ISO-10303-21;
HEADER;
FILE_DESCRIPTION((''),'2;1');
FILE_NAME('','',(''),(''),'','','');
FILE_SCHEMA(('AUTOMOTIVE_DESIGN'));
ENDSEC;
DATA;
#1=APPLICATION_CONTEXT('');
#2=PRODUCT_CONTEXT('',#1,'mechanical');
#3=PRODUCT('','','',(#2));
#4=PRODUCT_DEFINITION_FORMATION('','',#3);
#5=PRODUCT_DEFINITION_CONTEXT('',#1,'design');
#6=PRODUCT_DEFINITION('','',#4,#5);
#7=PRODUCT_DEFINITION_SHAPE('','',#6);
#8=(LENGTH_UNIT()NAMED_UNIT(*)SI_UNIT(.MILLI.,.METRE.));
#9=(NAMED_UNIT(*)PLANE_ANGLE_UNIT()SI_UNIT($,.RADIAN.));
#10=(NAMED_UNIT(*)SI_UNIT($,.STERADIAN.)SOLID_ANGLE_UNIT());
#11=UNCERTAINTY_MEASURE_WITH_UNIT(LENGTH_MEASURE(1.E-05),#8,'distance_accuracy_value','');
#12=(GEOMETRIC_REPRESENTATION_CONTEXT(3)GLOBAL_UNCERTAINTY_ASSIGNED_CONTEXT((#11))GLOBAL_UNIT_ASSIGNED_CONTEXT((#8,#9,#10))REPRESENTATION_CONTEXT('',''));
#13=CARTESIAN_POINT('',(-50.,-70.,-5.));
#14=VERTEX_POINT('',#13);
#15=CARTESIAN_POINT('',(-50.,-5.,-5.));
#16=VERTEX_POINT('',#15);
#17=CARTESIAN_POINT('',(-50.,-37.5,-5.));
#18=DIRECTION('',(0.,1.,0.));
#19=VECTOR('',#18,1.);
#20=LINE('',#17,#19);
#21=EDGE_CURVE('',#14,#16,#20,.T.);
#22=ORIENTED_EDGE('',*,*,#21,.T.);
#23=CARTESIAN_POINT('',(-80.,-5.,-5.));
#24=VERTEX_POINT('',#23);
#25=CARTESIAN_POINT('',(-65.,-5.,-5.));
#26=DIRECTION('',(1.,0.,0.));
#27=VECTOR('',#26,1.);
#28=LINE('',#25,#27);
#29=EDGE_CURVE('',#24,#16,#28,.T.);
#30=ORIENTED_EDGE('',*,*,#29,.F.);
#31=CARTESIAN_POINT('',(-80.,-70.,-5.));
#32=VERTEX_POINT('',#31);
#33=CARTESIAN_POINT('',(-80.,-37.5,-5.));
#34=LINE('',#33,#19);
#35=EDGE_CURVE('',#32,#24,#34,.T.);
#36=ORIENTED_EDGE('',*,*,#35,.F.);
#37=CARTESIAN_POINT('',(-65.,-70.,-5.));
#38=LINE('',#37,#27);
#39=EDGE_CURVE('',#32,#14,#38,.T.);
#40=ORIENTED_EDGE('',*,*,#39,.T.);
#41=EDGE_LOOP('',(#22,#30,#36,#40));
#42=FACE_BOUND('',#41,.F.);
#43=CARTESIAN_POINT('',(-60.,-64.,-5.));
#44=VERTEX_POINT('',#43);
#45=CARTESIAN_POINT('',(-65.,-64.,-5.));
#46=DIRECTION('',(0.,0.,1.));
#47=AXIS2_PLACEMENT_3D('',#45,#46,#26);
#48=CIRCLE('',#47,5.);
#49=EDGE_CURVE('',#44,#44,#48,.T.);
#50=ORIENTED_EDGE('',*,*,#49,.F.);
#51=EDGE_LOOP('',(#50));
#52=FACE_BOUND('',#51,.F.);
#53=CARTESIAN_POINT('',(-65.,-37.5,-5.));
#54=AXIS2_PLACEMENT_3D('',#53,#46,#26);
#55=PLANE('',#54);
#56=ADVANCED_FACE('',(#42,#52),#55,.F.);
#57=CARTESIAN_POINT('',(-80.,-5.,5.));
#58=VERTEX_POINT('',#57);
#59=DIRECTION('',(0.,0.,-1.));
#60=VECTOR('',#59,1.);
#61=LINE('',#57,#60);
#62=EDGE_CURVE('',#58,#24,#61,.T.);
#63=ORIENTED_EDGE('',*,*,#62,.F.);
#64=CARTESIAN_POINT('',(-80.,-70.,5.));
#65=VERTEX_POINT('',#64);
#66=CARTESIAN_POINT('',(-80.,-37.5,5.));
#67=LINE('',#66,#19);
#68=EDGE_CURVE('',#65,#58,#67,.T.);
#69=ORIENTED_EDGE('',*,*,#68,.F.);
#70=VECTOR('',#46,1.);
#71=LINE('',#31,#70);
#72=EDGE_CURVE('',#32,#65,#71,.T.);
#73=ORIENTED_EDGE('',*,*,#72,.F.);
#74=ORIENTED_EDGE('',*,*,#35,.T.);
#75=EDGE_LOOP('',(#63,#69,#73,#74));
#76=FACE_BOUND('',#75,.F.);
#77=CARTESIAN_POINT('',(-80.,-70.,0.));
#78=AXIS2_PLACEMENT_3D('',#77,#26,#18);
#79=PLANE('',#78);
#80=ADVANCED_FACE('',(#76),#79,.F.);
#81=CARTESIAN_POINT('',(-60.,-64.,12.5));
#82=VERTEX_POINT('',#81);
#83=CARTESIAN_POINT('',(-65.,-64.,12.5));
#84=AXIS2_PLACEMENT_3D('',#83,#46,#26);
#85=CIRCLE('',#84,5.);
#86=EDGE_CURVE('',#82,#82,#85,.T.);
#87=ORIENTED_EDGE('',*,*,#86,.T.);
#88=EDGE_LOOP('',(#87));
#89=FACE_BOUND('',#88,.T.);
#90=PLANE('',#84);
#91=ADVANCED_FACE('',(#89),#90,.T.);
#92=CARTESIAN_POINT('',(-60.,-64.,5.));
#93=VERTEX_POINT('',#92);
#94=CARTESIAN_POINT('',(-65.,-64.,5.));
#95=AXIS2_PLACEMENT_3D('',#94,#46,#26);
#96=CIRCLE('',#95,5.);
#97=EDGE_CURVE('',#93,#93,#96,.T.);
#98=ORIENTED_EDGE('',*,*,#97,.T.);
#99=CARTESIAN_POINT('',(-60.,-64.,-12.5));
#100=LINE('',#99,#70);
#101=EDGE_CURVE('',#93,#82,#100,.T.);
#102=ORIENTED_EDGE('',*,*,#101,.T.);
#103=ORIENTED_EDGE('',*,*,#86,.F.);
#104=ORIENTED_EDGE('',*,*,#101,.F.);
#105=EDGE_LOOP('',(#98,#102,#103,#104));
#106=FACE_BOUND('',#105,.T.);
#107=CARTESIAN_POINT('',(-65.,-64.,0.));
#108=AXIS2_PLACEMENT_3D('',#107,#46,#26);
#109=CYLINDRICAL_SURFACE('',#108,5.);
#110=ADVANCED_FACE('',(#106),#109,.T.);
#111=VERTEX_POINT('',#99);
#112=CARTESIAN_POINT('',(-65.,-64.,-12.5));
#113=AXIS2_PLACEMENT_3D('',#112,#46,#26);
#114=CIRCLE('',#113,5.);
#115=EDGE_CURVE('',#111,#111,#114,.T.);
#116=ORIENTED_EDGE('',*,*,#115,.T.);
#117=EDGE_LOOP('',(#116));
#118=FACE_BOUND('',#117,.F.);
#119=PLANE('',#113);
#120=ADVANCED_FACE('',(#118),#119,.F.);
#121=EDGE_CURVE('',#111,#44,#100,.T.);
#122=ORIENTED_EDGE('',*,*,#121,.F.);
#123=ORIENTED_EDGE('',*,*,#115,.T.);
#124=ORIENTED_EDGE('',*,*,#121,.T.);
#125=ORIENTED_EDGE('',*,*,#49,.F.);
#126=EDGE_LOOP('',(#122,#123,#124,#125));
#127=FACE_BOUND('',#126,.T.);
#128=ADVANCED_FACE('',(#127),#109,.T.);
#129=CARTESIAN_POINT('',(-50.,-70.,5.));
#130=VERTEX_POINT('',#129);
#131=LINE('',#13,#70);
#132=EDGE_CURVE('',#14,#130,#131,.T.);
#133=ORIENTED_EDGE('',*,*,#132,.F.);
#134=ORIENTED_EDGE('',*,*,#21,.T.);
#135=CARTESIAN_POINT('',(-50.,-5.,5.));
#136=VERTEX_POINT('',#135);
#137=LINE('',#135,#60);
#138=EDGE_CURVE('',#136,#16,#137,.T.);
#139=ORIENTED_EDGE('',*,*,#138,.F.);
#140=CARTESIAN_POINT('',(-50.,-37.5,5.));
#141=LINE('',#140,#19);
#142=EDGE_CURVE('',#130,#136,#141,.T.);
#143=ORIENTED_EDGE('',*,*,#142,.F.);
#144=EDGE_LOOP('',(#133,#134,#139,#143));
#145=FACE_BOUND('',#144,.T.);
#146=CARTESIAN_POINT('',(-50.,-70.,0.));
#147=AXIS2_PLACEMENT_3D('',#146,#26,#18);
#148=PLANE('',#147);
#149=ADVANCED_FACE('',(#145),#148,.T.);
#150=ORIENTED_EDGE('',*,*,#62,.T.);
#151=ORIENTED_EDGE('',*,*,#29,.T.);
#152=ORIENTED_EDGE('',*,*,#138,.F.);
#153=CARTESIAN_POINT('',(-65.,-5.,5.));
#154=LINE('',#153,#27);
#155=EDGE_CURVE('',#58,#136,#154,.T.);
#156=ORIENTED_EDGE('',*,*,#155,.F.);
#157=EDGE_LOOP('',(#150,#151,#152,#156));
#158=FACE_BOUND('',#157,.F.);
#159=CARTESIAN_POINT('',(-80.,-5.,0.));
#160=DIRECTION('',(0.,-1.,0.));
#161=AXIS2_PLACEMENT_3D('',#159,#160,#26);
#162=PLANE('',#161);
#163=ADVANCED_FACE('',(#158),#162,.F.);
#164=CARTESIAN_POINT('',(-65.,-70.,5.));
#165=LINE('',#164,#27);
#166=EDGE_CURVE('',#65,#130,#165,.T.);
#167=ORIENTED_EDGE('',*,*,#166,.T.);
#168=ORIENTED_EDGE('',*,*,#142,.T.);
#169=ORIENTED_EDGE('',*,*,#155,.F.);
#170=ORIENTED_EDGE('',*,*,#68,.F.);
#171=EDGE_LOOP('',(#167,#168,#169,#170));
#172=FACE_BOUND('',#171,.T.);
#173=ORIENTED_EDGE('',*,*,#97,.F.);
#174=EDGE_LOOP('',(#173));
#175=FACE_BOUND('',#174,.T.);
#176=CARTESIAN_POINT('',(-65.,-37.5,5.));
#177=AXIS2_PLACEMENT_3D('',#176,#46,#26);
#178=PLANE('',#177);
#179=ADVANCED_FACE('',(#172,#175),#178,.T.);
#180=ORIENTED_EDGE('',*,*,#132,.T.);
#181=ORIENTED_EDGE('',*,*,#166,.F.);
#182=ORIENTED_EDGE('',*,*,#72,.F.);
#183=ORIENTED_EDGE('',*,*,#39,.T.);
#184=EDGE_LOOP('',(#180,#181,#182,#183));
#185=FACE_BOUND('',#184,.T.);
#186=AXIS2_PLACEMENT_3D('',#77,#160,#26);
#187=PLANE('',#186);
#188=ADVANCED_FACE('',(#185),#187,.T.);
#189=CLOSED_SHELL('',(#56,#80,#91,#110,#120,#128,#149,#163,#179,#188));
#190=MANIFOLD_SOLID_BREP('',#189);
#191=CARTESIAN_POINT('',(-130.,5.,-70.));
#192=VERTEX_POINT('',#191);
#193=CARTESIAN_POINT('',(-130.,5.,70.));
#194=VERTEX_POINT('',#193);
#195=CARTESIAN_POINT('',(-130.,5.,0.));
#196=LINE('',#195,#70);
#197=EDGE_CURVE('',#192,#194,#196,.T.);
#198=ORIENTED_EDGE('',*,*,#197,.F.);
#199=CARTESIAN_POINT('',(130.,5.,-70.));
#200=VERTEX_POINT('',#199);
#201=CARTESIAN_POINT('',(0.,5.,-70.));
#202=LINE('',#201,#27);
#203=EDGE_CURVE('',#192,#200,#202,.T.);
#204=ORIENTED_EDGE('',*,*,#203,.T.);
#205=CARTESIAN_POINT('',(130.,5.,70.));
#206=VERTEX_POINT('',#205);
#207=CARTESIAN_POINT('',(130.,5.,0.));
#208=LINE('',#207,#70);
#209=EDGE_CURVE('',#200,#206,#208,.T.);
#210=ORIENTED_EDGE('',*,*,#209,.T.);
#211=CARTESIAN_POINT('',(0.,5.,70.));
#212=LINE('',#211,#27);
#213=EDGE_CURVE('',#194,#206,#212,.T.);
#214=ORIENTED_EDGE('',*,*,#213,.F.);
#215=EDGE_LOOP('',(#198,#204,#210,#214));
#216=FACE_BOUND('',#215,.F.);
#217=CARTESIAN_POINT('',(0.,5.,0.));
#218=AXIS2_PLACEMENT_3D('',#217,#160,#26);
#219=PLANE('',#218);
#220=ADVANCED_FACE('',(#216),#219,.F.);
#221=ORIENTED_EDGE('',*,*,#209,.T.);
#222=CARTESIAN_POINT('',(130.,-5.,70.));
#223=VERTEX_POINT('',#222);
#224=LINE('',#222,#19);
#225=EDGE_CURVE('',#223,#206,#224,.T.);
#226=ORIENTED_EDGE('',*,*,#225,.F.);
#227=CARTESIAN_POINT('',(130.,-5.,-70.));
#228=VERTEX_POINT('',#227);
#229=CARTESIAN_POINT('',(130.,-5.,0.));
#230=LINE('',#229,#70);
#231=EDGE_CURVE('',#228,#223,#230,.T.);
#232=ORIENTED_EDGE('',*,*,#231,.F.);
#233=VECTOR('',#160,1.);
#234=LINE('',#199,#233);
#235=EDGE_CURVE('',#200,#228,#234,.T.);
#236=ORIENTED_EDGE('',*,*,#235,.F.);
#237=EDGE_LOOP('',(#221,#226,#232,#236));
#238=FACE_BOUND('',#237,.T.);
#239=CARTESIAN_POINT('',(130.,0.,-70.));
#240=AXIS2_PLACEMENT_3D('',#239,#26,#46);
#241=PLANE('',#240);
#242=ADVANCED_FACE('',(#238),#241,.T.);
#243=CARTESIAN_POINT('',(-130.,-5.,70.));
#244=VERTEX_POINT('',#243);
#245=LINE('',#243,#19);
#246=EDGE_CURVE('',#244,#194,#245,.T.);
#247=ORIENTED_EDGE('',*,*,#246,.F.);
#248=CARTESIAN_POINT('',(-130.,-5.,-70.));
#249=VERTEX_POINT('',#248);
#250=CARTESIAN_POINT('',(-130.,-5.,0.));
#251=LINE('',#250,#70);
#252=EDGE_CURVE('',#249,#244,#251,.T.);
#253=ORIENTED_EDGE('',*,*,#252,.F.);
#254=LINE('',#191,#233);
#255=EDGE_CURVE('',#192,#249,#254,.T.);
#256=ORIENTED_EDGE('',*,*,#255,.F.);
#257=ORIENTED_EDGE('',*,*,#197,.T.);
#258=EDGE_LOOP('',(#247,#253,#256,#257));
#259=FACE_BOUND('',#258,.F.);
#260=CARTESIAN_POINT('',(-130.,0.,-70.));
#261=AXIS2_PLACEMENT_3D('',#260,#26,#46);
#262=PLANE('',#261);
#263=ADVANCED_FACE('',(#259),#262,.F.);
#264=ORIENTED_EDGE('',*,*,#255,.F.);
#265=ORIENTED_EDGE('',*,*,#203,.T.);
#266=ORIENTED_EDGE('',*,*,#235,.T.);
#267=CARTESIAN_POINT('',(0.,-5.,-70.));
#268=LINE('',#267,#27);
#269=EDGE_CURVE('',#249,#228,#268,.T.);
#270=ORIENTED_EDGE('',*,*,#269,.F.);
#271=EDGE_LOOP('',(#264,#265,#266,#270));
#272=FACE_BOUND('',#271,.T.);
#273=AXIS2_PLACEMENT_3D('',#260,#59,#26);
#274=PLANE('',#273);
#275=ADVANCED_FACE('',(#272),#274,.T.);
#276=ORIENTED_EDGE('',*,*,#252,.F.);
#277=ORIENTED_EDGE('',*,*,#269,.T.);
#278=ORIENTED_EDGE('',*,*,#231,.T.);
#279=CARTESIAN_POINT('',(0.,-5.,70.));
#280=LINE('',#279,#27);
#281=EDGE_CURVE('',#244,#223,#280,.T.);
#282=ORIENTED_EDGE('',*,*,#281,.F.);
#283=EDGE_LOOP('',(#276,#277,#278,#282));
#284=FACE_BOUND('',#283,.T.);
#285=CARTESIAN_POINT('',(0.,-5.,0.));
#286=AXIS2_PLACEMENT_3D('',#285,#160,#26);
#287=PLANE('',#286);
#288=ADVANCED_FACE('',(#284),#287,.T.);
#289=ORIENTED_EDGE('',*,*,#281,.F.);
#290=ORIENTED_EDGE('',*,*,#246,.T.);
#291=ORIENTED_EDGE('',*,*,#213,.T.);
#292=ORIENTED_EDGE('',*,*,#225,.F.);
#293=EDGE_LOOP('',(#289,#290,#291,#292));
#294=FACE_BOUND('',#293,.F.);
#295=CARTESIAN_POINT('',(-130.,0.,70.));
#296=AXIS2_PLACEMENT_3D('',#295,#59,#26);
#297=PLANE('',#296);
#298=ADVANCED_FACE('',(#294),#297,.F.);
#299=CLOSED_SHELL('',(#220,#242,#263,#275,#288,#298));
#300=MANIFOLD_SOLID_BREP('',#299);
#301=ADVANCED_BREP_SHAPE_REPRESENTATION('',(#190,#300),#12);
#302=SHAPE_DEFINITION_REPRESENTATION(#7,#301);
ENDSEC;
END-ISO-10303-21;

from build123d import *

# Parameters (mm, degrees)
F0_W     = 260
F0_H     = 140
F1_DEPTH = 5
F2_W     = 30
F2_H     = 65
F2_R     = 5
F3_DEPTH = 5
F4_DEPTH = 12.5


with BuildPart() as f1:
    # F0 (on Front) → F1 (new body, symmetric)
    with BuildSketch(Plane.XZ):
        Rectangle(F0_W, F0_H)
    extrude(amount=F1_DEPTH, both=True)


with BuildPart() as f3:
    # F2 (on Top) → F3 (new body, symmetric)
    with BuildSketch(Plane.XY):
        with Locations((-65, -37.5)):
            Rectangle(F2_W, F2_H)
        with Locations((-65, -64)):
            Circle(F2_R, mode=Mode.SUBTRACT)
    extrude(amount=F3_DEPTH, both=True)

    # F2 (on Top) → F4 (join, symmetric)
    with BuildSketch(Plane.XY):
        with Locations((-65, -64)):
            Circle(F2_R)
    extrude(amount=F4_DEPTH, both=True)


solid = Compound([f1.part, f3.part])
